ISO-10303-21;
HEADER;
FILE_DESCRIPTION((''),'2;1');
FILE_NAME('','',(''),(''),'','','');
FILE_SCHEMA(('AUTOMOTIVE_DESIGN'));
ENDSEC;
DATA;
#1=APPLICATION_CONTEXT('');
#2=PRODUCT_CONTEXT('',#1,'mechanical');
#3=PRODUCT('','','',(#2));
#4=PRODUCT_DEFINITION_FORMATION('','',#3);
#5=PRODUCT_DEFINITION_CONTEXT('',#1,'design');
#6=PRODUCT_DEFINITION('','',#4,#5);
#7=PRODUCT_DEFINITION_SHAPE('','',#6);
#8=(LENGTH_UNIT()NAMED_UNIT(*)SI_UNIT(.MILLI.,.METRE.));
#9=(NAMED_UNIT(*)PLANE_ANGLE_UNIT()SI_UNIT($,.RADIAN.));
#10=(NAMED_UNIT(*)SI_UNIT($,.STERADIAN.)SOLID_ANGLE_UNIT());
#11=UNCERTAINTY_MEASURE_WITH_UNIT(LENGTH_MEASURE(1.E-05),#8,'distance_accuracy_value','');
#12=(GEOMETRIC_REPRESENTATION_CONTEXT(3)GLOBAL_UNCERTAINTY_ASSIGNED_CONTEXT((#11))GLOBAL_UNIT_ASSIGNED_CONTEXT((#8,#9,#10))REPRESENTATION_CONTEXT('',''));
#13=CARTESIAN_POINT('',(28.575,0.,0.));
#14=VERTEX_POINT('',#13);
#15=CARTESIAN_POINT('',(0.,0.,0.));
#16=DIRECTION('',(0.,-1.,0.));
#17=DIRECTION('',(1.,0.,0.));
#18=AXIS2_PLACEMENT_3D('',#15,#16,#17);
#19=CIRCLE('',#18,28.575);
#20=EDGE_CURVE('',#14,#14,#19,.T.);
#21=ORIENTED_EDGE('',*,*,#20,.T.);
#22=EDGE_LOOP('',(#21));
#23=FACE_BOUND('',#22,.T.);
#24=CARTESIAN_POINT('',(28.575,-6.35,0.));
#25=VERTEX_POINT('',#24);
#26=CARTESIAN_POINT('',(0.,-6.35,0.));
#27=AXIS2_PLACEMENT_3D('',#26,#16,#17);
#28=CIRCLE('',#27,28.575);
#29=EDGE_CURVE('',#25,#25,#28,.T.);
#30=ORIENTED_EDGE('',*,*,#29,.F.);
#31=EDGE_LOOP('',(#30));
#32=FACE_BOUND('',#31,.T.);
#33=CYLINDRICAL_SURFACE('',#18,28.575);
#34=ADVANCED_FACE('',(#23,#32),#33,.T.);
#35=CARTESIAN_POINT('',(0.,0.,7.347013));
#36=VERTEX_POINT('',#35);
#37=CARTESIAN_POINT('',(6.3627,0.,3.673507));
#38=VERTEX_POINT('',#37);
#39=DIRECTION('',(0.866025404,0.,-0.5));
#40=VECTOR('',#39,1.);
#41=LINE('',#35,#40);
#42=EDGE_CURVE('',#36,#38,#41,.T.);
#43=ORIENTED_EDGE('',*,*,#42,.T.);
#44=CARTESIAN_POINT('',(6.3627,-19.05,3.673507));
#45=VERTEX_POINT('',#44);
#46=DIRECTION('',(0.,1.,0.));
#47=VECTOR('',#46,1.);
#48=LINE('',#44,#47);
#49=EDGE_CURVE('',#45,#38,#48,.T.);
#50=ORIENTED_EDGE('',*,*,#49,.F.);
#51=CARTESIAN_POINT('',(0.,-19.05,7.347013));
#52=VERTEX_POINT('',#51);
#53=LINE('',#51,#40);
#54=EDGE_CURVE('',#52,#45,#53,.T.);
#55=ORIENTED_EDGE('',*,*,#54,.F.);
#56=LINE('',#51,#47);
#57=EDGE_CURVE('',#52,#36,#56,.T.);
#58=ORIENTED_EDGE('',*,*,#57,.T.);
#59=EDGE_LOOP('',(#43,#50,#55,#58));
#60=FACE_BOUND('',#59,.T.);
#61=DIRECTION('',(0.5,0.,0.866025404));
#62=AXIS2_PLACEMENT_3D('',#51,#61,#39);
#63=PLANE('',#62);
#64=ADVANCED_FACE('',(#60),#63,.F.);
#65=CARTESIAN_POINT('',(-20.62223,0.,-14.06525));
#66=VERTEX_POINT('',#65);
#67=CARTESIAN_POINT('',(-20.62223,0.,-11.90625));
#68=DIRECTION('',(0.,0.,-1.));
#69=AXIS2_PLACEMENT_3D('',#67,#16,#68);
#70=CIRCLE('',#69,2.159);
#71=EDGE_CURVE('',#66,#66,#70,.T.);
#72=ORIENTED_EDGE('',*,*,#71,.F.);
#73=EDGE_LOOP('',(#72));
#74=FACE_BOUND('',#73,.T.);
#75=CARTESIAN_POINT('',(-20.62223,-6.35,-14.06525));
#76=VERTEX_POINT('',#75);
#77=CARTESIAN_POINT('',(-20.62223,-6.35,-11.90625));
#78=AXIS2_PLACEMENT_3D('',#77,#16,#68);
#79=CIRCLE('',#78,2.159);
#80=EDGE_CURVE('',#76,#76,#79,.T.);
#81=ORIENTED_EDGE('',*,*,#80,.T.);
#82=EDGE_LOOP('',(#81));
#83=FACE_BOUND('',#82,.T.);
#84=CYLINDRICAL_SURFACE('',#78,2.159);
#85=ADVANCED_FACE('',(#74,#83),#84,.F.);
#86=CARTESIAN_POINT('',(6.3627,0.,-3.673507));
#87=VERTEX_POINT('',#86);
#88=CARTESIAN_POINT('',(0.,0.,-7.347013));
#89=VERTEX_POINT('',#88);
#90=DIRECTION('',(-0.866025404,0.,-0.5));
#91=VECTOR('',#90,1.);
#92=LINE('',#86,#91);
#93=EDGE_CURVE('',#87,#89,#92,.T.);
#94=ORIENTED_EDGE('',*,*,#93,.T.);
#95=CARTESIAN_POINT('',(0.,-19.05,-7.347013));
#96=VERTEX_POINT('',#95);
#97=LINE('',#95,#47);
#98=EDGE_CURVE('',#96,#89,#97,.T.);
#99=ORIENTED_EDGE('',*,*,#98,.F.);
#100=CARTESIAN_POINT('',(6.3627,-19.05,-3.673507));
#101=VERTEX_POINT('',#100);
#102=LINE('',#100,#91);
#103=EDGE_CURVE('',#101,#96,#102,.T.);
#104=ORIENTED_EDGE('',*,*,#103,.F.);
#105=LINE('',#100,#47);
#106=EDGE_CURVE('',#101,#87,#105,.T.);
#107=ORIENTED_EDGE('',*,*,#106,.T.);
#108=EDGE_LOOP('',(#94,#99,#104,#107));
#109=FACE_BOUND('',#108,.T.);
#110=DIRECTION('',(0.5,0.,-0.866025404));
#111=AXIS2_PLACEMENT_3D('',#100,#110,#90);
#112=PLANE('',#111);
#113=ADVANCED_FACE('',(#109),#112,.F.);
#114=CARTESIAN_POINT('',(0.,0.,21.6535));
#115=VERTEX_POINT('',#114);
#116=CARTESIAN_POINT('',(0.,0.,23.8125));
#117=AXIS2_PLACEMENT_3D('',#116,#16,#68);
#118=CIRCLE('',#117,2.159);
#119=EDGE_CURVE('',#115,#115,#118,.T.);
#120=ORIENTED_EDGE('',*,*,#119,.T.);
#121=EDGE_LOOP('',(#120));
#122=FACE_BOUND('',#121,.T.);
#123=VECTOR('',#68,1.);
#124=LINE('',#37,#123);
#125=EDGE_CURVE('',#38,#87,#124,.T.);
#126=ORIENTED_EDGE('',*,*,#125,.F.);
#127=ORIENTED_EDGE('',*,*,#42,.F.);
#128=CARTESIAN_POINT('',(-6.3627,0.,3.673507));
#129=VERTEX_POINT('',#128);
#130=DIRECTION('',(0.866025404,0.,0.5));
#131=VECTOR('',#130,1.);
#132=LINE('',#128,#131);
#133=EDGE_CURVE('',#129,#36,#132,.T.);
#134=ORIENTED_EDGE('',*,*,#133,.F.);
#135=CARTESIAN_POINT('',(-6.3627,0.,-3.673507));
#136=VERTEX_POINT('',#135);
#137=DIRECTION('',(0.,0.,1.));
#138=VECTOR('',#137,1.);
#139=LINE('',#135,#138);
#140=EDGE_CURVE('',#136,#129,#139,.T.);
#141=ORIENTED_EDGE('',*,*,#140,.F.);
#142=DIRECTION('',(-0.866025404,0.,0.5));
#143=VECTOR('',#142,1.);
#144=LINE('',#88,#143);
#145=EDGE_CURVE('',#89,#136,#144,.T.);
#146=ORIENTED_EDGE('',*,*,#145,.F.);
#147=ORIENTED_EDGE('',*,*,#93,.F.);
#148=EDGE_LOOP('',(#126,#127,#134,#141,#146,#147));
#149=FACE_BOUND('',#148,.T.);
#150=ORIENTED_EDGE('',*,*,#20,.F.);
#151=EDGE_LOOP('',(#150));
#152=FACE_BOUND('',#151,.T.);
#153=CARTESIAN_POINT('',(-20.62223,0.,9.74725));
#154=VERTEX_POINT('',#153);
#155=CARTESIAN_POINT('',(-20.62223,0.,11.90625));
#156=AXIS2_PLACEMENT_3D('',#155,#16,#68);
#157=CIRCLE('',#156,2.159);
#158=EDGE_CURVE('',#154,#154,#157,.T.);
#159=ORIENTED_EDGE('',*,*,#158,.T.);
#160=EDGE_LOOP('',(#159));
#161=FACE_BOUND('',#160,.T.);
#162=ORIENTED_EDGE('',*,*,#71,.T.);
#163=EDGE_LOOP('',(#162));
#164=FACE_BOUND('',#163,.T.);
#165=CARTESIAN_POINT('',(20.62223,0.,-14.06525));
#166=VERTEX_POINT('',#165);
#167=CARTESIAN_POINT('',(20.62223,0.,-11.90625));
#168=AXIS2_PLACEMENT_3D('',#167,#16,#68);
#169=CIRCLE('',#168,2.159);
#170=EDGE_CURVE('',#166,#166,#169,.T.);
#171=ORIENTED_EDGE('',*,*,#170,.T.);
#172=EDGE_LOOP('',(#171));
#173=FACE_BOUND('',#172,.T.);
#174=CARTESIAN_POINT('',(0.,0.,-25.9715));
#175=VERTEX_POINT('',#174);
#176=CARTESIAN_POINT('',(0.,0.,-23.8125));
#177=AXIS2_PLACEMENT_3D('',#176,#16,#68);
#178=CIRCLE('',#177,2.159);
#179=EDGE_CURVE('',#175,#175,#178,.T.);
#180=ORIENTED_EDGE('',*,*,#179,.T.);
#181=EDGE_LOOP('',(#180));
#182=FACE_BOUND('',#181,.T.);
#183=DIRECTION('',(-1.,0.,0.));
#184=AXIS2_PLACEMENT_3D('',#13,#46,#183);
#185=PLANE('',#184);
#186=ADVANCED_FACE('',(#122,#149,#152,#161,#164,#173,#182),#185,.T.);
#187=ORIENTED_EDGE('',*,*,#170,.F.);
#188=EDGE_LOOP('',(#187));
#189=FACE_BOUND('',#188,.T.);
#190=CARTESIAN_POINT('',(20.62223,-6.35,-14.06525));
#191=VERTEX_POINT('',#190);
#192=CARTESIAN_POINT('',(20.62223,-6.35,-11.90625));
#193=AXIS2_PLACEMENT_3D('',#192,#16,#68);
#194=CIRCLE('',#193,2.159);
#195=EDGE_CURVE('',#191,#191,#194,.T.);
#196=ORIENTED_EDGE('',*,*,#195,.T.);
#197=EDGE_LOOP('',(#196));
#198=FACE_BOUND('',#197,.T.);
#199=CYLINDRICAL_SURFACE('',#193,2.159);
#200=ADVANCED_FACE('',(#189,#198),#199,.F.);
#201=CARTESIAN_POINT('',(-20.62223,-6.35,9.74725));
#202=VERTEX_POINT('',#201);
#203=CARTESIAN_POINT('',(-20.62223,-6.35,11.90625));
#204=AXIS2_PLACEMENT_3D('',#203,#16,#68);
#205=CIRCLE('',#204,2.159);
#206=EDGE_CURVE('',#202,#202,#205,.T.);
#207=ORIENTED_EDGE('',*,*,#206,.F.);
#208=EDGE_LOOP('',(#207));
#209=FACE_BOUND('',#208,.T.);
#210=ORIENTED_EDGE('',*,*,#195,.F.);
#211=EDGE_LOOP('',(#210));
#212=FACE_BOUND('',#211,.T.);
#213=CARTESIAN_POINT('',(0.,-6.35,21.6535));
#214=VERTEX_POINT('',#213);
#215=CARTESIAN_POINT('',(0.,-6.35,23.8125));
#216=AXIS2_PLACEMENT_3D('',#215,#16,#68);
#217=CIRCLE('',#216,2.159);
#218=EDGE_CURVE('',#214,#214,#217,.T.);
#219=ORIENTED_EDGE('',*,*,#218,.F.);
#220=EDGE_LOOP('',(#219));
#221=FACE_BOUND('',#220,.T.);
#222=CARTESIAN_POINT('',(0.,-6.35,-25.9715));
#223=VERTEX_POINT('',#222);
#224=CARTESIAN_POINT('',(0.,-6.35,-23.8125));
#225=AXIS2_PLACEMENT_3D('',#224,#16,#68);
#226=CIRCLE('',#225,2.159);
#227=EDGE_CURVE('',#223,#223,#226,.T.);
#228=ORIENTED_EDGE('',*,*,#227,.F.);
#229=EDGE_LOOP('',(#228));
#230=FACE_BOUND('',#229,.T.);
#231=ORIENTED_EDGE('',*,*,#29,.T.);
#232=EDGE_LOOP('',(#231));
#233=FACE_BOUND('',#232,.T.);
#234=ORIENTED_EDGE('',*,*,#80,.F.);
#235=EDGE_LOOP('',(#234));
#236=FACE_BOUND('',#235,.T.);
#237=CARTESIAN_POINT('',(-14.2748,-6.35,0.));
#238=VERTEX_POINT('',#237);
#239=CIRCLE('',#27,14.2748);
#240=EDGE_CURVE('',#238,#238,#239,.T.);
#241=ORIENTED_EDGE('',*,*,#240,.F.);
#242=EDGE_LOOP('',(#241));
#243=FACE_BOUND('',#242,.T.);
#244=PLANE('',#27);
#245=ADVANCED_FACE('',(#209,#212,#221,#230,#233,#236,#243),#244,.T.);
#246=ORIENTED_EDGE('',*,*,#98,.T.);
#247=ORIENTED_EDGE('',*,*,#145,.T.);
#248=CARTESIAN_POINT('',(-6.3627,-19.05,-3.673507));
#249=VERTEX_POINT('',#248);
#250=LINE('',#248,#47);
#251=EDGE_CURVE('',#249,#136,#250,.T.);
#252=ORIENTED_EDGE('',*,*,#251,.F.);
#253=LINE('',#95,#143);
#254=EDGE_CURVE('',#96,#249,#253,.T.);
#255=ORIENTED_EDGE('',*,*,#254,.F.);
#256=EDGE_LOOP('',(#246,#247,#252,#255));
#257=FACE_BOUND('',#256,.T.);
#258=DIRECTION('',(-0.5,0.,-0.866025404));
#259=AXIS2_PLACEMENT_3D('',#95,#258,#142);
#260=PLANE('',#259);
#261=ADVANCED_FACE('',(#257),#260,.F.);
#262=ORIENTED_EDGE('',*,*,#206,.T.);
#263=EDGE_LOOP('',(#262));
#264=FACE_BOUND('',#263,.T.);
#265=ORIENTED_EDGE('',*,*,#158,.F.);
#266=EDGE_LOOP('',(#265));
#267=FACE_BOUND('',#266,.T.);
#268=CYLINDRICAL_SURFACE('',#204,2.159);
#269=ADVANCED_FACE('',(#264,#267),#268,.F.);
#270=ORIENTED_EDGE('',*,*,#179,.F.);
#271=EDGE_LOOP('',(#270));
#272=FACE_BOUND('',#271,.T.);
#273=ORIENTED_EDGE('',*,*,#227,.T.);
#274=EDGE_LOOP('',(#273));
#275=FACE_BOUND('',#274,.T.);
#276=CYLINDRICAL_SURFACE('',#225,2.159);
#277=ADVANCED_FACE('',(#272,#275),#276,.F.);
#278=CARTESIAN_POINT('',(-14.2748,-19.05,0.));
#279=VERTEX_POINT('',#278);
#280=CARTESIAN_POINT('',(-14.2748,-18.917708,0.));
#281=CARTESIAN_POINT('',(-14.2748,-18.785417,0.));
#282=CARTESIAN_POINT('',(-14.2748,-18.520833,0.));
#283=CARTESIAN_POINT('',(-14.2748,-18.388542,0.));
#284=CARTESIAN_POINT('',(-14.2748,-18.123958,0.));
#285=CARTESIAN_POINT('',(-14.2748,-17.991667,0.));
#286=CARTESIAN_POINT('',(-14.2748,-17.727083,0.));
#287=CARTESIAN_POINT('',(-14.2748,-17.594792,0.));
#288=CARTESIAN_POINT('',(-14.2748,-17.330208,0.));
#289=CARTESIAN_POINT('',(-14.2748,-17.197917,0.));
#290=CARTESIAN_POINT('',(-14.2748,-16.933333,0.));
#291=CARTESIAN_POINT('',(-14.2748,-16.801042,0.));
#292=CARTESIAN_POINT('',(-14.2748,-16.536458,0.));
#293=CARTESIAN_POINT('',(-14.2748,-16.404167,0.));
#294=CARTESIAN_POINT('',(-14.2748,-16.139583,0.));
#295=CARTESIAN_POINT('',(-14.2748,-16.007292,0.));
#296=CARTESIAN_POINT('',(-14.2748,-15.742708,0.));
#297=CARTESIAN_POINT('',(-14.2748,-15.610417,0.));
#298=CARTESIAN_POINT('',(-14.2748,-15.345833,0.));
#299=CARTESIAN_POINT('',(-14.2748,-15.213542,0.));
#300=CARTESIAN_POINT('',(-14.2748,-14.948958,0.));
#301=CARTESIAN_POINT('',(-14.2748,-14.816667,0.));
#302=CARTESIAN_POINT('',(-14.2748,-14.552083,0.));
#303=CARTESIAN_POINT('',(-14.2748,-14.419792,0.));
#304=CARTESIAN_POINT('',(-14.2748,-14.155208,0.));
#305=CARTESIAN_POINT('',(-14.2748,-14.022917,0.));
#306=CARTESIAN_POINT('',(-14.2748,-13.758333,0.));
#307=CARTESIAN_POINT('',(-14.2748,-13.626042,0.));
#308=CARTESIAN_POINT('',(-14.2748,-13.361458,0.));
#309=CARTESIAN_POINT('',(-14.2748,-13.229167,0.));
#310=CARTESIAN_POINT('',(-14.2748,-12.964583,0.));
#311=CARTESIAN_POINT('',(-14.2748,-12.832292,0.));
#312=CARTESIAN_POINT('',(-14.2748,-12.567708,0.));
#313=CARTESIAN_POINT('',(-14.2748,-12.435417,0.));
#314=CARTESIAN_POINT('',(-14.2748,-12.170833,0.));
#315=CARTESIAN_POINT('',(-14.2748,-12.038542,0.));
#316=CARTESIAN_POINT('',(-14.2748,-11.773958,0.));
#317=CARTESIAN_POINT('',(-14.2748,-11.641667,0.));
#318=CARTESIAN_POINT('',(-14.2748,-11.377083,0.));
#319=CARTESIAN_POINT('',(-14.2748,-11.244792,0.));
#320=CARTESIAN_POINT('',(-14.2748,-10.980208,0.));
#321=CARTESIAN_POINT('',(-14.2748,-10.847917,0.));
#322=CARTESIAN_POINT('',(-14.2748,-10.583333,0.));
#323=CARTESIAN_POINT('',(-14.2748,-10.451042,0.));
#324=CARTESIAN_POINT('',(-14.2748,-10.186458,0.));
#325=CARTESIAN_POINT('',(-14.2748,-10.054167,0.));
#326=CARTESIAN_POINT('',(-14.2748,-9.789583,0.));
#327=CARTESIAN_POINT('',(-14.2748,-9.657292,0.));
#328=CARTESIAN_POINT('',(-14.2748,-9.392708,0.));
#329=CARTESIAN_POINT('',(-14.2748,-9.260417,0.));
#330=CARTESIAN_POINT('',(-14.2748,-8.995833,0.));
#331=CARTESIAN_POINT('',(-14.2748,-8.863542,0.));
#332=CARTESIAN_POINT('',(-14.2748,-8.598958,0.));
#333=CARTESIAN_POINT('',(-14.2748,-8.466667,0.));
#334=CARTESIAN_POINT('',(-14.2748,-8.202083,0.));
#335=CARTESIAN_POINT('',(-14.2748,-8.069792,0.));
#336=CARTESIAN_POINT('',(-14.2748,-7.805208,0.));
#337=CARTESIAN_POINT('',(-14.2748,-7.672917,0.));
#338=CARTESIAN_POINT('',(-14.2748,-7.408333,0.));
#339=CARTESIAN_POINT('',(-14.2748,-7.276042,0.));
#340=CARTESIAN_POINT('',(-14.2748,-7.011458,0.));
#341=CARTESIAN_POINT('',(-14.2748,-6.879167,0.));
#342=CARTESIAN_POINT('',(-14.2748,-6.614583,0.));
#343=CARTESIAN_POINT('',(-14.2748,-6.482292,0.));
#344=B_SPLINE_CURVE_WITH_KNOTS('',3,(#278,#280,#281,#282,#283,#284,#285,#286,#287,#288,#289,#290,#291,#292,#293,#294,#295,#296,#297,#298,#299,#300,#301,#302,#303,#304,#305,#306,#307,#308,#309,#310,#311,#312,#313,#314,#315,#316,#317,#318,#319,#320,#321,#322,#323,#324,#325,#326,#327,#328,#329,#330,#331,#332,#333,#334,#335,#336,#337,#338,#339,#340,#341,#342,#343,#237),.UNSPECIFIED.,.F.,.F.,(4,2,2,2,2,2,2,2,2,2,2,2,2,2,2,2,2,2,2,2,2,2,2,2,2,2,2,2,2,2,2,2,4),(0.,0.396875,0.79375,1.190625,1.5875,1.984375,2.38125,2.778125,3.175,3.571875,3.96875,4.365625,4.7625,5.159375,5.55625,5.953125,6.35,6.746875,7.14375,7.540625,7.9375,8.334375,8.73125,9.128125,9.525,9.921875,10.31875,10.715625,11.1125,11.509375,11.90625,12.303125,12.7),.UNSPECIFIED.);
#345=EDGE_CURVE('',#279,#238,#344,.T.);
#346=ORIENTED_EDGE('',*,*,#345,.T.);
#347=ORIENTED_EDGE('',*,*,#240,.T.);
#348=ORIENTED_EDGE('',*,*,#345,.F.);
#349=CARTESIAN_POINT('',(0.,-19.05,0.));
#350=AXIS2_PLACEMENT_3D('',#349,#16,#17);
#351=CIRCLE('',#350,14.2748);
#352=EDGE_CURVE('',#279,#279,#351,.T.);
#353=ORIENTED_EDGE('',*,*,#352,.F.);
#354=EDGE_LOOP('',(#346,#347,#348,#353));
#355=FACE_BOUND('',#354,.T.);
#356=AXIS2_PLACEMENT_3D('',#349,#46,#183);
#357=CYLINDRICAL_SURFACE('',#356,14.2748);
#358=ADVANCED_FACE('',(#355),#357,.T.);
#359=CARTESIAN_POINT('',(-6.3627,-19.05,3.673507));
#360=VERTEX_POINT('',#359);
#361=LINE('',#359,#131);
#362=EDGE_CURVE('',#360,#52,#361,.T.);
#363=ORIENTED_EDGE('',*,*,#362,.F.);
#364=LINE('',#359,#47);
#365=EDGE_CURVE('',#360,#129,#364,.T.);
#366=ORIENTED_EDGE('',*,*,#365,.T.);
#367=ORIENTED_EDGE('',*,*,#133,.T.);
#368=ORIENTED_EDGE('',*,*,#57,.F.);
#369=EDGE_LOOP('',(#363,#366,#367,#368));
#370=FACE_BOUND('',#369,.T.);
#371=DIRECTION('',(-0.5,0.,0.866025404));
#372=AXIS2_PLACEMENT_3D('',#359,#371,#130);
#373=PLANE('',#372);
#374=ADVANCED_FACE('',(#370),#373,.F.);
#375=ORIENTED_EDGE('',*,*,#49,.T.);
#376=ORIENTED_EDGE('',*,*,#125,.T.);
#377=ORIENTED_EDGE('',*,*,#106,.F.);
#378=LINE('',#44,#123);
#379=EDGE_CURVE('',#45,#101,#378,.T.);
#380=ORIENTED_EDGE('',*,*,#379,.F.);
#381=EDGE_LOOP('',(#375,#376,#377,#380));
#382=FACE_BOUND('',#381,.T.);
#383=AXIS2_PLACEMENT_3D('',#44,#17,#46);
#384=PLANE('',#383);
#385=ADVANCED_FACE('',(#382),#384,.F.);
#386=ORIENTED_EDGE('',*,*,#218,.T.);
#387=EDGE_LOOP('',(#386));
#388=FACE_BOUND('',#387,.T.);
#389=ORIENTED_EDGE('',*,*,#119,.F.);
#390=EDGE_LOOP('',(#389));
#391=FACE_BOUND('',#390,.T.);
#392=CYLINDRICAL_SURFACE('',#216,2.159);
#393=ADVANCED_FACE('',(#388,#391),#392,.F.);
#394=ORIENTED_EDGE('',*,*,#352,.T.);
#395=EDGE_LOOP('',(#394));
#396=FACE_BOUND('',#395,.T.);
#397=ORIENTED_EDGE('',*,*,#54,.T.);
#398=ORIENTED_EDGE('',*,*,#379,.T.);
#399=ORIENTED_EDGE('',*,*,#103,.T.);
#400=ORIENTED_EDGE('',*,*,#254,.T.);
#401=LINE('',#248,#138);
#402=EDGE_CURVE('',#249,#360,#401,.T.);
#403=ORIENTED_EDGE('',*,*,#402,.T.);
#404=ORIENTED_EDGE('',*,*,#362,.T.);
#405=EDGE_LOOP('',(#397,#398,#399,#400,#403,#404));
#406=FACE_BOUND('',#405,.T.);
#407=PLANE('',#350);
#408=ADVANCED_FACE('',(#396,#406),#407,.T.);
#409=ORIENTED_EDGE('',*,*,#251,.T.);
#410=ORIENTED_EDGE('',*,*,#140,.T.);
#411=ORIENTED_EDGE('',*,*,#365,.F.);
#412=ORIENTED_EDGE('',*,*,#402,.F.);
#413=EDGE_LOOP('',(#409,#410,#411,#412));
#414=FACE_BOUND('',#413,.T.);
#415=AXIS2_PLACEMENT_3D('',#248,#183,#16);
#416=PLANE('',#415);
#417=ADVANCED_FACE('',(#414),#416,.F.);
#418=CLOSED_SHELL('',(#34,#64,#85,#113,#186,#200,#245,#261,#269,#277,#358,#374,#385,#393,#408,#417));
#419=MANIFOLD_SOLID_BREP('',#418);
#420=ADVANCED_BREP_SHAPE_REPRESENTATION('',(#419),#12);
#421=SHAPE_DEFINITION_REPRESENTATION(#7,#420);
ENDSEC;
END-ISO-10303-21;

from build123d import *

# Parameters (mm, degrees)
SKETCH1_W             = 28.575
SKETCH1_H             = 6.35
SKETCH2_R             = 14.2748
BOSS_EXTRUDE1_DEPTH   = 12.7
CUT_EXTRUDE1_DEPTH    = 45.676210112
F_8_CLEARANCE_HOLE1_D = 4.318


with BuildPart() as part:
    # Sketch1 → Revolve1 (revolve)
    with BuildSketch(Plane.XY):
        with Locations((14.2875, -3.175)):
            Rectangle(SKETCH1_W, SKETCH1_H)
    revolve(axis=Axis((0, 0, 0), (0, -1, 0)))

    # Sketch2 → Boss-Extrude1 (add)
    with BuildSketch(Plane.XZ.offset(6.35)):
        with Locations(Location((0, 0, 0), (0, 0, 180))):
            Circle(SKETCH2_R)
    extrude(amount=BOSS_EXTRUDE1_DEPTH)

    # Sketch3 → Cut-Extrude1 (cut, through all)
    with BuildSketch(Plane(origin=(0, 0, 0), x_dir=(-1, 0, 0), z_dir=(0, 1, 0))):
        Polygon((0, -7.347013116), (6.3627, -3.673506558), (6.3627, 3.673506558), (0, 7.347013116), (-6.3627, 3.673506558), (-6.3627, -3.673506558), align=None)
    extrude(amount=-CUT_EXTRUDE1_DEPTH, mode=Mode.SUBTRACT)

    # #8 Clearance Hole1 (through all)
    with Locations(Plane.XZ.offset(6.35)):
        with Locations((-20.622229928, -11.90625), (0, 23.8125), (0, -23.8125), (-20.622229928, 11.90625), (20.622229928, -11.90625)):
            Hole(F_8_CLEARANCE_HOLE1_D / 2)


solid = part.part
